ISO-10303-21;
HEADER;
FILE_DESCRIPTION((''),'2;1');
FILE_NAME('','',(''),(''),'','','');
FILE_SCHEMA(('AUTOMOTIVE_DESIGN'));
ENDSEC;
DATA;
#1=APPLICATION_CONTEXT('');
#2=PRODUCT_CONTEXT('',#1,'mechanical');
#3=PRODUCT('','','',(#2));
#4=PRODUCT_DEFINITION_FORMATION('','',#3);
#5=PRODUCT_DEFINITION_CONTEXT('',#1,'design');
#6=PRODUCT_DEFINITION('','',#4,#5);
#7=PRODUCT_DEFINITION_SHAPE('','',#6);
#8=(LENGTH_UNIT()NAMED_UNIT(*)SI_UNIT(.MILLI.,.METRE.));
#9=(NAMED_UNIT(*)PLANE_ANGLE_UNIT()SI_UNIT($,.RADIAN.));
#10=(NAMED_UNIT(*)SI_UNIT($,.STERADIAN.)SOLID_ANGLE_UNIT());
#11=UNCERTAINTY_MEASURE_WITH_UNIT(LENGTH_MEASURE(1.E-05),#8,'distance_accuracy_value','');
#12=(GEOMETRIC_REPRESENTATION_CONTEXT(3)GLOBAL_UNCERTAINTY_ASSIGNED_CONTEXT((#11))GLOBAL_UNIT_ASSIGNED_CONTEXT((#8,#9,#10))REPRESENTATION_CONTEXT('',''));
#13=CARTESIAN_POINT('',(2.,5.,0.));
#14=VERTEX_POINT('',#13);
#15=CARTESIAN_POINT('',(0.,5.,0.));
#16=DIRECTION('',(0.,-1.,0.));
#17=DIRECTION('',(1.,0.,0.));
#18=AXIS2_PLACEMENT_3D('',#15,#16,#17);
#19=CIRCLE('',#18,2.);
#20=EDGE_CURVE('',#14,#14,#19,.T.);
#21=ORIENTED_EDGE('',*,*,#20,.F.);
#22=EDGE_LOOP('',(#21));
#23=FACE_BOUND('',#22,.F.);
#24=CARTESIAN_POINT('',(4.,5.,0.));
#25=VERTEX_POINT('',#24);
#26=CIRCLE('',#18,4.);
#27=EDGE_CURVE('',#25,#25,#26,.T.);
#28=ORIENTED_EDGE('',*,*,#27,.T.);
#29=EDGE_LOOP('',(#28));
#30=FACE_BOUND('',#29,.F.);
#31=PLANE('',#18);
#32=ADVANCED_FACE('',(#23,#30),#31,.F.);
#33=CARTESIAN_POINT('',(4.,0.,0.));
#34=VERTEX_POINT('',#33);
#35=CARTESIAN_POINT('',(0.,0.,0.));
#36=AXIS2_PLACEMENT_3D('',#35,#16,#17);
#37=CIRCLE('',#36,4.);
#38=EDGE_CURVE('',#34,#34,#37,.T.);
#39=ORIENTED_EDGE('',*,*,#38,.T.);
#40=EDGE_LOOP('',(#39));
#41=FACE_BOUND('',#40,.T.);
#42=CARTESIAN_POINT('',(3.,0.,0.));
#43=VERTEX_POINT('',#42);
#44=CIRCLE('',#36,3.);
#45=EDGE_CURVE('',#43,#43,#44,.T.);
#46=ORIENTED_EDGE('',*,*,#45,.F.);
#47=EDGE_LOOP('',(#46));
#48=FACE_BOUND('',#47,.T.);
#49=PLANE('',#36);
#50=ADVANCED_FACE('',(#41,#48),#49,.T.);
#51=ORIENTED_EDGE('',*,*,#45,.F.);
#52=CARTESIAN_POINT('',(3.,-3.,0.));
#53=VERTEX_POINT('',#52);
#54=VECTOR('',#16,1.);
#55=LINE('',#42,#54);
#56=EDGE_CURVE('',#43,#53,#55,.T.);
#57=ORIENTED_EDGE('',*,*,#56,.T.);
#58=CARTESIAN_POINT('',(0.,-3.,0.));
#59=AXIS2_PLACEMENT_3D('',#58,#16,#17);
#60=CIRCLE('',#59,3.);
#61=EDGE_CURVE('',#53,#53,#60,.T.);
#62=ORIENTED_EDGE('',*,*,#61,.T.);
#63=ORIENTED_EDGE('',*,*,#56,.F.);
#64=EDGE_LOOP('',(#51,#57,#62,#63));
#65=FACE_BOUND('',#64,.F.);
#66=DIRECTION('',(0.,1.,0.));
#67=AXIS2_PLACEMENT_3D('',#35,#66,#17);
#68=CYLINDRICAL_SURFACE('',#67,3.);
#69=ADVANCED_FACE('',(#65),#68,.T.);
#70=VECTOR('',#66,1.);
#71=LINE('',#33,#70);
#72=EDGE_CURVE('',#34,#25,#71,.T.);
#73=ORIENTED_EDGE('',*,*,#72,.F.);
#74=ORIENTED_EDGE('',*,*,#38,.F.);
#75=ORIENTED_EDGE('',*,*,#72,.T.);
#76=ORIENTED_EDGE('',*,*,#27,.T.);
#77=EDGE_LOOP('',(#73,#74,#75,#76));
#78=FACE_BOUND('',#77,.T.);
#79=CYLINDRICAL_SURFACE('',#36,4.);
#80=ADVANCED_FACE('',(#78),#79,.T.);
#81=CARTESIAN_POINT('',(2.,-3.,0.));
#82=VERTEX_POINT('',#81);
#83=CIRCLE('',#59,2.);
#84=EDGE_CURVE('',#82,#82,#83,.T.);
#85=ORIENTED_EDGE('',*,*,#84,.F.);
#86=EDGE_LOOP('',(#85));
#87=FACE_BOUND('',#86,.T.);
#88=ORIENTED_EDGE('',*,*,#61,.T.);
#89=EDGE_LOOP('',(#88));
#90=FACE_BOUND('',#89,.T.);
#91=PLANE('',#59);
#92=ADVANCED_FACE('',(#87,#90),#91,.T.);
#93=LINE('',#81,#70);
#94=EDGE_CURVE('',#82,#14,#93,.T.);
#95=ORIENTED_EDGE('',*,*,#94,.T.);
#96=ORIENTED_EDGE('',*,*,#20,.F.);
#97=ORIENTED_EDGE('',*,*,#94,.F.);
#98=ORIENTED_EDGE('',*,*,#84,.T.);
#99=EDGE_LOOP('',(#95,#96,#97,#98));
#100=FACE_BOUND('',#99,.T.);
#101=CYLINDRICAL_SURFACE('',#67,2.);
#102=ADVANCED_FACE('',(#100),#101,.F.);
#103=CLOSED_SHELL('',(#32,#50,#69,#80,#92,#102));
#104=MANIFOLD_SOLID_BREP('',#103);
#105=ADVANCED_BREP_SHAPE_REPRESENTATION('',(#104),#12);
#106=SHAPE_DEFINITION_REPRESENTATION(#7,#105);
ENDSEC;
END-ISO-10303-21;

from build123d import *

# Parameters (mm, degrees)
F0_R     = 3
F0_R_2   = 2
F1_DEPTH = 5
F0_R_3   = 4
F2_DEPTH = 5
F3_DEPTH = 3


with BuildPart() as f1:
    # F0 (on Front) → F1 (new body)
    with BuildSketch(Plane.XZ):
        Circle(F0_R)
        Circle(F0_R_2, mode=Mode.SUBTRACT)
    extrude(amount=-F1_DEPTH)

    # F0 (on Front) → F2 (join)
    with BuildSketch(Plane.XZ):
        Circle(F0_R_3)
        Circle(F0_R, mode=Mode.SUBTRACT)
    extrude(amount=-F2_DEPTH)

    # F0 (on Front) → F3 (join)
    with BuildSketch(Plane.XZ):
        Circle(F0_R)
        Circle(F0_R_2, mode=Mode.SUBTRACT)
    extrude(amount=F3_DEPTH)


solid = f1.part
